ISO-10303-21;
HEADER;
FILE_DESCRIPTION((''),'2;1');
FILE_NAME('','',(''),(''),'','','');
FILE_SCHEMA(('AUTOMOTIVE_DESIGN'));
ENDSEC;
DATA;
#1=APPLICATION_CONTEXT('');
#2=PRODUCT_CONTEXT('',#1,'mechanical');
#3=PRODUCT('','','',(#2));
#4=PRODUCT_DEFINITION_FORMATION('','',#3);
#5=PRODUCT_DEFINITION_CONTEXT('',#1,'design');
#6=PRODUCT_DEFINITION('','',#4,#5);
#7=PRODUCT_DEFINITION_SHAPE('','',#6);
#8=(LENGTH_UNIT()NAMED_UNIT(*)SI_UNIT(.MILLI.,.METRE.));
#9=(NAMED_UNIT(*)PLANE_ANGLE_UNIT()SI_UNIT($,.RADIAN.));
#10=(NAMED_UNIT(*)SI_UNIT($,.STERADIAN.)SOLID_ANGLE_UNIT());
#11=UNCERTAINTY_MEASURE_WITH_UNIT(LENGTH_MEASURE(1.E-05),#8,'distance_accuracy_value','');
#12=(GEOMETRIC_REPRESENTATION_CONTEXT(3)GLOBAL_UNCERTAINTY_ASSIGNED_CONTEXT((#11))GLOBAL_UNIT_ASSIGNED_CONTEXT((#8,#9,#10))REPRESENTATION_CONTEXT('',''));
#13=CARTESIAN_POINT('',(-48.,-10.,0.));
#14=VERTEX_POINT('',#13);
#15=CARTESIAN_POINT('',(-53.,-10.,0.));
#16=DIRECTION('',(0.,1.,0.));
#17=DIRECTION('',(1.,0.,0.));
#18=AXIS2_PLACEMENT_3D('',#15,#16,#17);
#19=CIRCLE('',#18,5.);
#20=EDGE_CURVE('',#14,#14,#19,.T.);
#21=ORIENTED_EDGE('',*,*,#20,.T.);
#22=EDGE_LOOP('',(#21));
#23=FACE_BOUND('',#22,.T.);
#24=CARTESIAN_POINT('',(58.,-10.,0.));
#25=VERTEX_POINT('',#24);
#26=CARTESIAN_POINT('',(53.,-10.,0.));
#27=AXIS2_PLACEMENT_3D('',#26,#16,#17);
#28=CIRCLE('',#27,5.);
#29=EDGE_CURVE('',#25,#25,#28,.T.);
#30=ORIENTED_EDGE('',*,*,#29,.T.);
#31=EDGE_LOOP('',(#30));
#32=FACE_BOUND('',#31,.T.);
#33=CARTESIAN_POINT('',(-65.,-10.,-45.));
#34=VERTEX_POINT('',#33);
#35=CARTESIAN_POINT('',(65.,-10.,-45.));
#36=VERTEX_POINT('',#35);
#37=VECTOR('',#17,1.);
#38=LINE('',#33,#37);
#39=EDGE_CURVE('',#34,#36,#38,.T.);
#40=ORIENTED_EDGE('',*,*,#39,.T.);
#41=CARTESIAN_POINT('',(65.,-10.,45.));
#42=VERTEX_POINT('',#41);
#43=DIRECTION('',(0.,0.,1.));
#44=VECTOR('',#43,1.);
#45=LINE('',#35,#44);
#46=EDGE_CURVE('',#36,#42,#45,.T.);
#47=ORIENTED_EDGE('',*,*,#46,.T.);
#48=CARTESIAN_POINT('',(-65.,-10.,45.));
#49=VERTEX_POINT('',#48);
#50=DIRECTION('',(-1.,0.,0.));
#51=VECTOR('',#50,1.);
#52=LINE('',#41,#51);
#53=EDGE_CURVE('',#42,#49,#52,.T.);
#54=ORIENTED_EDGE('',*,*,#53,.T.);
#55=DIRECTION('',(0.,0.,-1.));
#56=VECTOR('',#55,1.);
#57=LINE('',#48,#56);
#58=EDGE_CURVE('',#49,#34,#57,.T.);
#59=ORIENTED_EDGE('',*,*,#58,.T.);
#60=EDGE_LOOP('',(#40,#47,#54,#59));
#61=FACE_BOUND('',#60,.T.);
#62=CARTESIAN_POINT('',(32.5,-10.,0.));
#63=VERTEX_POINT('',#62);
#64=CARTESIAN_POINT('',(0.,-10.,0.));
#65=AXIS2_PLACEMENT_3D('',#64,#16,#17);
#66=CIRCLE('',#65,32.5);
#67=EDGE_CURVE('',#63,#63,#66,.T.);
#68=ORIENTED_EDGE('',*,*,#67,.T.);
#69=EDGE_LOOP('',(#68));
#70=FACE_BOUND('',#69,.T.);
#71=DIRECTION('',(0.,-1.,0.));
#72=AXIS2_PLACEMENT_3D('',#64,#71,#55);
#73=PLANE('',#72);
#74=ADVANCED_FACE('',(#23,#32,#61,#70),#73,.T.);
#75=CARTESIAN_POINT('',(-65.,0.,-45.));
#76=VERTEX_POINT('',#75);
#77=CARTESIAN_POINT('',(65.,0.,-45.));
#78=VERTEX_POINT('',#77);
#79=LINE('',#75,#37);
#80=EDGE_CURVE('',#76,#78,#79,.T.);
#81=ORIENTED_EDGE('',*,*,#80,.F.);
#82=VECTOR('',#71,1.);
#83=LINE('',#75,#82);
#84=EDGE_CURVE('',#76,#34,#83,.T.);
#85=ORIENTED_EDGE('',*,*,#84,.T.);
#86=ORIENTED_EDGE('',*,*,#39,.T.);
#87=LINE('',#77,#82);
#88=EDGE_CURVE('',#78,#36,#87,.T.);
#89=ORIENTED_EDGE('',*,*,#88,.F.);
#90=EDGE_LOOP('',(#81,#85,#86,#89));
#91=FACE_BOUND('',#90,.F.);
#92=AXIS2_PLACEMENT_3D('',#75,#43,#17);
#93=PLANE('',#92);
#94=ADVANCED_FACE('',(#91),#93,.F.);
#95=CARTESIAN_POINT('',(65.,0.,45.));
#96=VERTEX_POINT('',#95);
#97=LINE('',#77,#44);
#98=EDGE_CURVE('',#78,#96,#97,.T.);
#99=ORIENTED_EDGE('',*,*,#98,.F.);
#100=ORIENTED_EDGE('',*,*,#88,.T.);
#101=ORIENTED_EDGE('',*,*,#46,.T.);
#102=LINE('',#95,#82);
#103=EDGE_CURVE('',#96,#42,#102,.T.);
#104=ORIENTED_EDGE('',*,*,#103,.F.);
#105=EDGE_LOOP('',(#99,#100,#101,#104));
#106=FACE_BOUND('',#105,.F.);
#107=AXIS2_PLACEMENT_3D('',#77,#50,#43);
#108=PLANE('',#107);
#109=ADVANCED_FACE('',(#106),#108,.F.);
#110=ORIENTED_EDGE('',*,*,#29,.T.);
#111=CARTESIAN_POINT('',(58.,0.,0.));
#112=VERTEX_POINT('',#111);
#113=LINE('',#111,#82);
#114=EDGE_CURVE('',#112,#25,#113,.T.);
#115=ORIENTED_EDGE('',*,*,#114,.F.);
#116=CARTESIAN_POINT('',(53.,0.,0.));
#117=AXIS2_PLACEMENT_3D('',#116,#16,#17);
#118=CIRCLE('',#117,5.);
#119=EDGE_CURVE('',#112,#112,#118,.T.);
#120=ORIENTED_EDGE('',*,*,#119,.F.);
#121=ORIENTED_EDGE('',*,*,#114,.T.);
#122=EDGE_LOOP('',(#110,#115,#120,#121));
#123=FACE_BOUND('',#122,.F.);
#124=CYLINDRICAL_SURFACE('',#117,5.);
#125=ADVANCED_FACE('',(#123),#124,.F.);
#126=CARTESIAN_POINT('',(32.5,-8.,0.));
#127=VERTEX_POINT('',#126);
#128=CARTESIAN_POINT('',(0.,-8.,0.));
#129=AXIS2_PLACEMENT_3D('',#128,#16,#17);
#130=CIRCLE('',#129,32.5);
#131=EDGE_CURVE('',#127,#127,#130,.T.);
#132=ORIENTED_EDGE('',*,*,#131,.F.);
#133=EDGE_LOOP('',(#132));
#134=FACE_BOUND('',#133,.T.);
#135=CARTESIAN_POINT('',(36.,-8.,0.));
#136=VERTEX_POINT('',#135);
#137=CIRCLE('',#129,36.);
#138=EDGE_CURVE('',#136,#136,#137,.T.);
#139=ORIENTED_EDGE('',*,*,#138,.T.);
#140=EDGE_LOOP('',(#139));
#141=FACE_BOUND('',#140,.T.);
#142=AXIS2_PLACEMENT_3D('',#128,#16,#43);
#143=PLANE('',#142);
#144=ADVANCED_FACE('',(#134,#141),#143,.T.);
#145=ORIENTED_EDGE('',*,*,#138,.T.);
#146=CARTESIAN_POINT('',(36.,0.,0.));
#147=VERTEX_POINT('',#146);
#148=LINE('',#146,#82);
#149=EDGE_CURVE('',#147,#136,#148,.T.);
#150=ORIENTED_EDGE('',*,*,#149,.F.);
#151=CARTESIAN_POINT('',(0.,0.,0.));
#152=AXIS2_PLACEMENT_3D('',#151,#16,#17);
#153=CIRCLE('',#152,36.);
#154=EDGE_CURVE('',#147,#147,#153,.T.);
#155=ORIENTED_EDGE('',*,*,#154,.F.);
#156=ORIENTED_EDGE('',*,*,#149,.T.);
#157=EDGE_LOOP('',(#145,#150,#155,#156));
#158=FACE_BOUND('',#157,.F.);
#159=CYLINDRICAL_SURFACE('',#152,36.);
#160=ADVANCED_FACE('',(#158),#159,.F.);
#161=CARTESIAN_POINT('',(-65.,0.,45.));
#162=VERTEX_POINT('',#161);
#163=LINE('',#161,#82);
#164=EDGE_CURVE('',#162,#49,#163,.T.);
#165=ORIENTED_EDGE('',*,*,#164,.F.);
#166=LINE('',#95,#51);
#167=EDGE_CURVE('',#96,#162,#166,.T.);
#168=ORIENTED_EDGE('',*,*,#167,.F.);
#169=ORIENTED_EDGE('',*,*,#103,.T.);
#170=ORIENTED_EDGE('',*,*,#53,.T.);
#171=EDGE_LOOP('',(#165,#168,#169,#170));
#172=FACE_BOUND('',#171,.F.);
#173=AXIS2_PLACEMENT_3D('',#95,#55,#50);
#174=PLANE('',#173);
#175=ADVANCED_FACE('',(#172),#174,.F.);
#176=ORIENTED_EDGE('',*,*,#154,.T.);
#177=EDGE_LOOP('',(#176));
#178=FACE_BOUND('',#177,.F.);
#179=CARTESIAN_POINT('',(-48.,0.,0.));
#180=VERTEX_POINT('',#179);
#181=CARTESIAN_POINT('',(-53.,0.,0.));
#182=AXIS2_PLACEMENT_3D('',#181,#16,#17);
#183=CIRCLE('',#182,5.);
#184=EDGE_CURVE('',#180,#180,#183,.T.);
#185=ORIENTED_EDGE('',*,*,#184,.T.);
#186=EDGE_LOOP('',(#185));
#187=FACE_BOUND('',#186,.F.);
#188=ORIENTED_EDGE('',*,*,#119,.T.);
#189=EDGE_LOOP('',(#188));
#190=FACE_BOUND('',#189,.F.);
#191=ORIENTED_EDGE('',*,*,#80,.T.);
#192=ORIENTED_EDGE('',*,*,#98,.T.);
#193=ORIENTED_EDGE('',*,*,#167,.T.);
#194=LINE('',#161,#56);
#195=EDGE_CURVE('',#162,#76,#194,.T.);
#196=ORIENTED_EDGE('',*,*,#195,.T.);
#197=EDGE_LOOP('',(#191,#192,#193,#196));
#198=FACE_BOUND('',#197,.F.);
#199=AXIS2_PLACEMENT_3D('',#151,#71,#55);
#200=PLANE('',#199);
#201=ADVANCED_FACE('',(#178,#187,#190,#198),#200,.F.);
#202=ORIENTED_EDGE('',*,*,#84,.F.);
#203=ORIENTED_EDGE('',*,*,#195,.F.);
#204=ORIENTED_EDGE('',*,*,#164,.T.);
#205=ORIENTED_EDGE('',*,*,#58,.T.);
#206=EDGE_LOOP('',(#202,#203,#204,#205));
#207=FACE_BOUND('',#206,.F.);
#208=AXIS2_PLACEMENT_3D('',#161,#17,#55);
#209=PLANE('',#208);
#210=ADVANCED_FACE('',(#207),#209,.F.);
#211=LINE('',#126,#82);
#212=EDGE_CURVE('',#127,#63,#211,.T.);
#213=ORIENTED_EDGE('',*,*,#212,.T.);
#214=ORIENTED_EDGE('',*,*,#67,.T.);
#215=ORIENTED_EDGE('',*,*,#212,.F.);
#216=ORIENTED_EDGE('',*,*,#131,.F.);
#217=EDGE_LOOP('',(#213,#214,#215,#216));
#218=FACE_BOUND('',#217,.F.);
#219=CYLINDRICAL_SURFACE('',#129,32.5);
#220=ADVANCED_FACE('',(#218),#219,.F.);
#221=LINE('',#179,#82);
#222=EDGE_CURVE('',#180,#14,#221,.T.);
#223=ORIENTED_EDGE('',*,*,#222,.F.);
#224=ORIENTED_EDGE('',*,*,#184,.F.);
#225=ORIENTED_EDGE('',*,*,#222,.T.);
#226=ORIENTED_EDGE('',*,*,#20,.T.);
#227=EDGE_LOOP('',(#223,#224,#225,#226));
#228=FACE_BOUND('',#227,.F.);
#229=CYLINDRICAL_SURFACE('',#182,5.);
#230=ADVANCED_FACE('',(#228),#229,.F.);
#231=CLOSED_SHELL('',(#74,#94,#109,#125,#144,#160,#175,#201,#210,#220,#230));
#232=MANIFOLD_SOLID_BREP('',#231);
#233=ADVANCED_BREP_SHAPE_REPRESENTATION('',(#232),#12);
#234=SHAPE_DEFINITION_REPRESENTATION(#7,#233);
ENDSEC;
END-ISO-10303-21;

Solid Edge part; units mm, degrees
sketch "Sketch1" plane through (0, 0, 0) normal (0, -1, 0) x (1, 0, 0)
  line L0 (65, -45) -> (65, 45)
  line L1 (65, 45) -> (-65, 45)
  line L2 (-65, 45) -> (-65, -45)
  line L3 (-65, -45) -> (65, -45)
extrude "Protrusion1" add sketch "Sketch1" along normal blind 10
sketch "Sketch2" plane through (0, 0, 0) normal (0, 1, 0) x (1, 0, 0)
  circle A0 centre (0, 0) radius 36
extrude "ExtrudedCutout_1" cut sketch "Sketch2" against normal blind 8
sketch "Sketch3" plane through (0, 0, 0) normal (0, 1, 0) x (1, 0, 0)
  circle A0 centre (-53, 0) radius 5
  circle A1 centre (53, 0) radius 5
  dimension "D1" = 72
  dimension "D2" = 10
  dimension "D3" = 10
  dimension "D4" = 12
  dimension "D5" = 12
extrude "Cutout1" cut sketch "Sketch3" against normal up to next
sketch "Sketch4" plane through (0, -8, 0) normal (0, 1, 0) x (1, 0, 0)
  circle A0 centre (0, 0) radius 32.5
extrude "Cutout2" cut sketch "Sketch4" against normal up to next
